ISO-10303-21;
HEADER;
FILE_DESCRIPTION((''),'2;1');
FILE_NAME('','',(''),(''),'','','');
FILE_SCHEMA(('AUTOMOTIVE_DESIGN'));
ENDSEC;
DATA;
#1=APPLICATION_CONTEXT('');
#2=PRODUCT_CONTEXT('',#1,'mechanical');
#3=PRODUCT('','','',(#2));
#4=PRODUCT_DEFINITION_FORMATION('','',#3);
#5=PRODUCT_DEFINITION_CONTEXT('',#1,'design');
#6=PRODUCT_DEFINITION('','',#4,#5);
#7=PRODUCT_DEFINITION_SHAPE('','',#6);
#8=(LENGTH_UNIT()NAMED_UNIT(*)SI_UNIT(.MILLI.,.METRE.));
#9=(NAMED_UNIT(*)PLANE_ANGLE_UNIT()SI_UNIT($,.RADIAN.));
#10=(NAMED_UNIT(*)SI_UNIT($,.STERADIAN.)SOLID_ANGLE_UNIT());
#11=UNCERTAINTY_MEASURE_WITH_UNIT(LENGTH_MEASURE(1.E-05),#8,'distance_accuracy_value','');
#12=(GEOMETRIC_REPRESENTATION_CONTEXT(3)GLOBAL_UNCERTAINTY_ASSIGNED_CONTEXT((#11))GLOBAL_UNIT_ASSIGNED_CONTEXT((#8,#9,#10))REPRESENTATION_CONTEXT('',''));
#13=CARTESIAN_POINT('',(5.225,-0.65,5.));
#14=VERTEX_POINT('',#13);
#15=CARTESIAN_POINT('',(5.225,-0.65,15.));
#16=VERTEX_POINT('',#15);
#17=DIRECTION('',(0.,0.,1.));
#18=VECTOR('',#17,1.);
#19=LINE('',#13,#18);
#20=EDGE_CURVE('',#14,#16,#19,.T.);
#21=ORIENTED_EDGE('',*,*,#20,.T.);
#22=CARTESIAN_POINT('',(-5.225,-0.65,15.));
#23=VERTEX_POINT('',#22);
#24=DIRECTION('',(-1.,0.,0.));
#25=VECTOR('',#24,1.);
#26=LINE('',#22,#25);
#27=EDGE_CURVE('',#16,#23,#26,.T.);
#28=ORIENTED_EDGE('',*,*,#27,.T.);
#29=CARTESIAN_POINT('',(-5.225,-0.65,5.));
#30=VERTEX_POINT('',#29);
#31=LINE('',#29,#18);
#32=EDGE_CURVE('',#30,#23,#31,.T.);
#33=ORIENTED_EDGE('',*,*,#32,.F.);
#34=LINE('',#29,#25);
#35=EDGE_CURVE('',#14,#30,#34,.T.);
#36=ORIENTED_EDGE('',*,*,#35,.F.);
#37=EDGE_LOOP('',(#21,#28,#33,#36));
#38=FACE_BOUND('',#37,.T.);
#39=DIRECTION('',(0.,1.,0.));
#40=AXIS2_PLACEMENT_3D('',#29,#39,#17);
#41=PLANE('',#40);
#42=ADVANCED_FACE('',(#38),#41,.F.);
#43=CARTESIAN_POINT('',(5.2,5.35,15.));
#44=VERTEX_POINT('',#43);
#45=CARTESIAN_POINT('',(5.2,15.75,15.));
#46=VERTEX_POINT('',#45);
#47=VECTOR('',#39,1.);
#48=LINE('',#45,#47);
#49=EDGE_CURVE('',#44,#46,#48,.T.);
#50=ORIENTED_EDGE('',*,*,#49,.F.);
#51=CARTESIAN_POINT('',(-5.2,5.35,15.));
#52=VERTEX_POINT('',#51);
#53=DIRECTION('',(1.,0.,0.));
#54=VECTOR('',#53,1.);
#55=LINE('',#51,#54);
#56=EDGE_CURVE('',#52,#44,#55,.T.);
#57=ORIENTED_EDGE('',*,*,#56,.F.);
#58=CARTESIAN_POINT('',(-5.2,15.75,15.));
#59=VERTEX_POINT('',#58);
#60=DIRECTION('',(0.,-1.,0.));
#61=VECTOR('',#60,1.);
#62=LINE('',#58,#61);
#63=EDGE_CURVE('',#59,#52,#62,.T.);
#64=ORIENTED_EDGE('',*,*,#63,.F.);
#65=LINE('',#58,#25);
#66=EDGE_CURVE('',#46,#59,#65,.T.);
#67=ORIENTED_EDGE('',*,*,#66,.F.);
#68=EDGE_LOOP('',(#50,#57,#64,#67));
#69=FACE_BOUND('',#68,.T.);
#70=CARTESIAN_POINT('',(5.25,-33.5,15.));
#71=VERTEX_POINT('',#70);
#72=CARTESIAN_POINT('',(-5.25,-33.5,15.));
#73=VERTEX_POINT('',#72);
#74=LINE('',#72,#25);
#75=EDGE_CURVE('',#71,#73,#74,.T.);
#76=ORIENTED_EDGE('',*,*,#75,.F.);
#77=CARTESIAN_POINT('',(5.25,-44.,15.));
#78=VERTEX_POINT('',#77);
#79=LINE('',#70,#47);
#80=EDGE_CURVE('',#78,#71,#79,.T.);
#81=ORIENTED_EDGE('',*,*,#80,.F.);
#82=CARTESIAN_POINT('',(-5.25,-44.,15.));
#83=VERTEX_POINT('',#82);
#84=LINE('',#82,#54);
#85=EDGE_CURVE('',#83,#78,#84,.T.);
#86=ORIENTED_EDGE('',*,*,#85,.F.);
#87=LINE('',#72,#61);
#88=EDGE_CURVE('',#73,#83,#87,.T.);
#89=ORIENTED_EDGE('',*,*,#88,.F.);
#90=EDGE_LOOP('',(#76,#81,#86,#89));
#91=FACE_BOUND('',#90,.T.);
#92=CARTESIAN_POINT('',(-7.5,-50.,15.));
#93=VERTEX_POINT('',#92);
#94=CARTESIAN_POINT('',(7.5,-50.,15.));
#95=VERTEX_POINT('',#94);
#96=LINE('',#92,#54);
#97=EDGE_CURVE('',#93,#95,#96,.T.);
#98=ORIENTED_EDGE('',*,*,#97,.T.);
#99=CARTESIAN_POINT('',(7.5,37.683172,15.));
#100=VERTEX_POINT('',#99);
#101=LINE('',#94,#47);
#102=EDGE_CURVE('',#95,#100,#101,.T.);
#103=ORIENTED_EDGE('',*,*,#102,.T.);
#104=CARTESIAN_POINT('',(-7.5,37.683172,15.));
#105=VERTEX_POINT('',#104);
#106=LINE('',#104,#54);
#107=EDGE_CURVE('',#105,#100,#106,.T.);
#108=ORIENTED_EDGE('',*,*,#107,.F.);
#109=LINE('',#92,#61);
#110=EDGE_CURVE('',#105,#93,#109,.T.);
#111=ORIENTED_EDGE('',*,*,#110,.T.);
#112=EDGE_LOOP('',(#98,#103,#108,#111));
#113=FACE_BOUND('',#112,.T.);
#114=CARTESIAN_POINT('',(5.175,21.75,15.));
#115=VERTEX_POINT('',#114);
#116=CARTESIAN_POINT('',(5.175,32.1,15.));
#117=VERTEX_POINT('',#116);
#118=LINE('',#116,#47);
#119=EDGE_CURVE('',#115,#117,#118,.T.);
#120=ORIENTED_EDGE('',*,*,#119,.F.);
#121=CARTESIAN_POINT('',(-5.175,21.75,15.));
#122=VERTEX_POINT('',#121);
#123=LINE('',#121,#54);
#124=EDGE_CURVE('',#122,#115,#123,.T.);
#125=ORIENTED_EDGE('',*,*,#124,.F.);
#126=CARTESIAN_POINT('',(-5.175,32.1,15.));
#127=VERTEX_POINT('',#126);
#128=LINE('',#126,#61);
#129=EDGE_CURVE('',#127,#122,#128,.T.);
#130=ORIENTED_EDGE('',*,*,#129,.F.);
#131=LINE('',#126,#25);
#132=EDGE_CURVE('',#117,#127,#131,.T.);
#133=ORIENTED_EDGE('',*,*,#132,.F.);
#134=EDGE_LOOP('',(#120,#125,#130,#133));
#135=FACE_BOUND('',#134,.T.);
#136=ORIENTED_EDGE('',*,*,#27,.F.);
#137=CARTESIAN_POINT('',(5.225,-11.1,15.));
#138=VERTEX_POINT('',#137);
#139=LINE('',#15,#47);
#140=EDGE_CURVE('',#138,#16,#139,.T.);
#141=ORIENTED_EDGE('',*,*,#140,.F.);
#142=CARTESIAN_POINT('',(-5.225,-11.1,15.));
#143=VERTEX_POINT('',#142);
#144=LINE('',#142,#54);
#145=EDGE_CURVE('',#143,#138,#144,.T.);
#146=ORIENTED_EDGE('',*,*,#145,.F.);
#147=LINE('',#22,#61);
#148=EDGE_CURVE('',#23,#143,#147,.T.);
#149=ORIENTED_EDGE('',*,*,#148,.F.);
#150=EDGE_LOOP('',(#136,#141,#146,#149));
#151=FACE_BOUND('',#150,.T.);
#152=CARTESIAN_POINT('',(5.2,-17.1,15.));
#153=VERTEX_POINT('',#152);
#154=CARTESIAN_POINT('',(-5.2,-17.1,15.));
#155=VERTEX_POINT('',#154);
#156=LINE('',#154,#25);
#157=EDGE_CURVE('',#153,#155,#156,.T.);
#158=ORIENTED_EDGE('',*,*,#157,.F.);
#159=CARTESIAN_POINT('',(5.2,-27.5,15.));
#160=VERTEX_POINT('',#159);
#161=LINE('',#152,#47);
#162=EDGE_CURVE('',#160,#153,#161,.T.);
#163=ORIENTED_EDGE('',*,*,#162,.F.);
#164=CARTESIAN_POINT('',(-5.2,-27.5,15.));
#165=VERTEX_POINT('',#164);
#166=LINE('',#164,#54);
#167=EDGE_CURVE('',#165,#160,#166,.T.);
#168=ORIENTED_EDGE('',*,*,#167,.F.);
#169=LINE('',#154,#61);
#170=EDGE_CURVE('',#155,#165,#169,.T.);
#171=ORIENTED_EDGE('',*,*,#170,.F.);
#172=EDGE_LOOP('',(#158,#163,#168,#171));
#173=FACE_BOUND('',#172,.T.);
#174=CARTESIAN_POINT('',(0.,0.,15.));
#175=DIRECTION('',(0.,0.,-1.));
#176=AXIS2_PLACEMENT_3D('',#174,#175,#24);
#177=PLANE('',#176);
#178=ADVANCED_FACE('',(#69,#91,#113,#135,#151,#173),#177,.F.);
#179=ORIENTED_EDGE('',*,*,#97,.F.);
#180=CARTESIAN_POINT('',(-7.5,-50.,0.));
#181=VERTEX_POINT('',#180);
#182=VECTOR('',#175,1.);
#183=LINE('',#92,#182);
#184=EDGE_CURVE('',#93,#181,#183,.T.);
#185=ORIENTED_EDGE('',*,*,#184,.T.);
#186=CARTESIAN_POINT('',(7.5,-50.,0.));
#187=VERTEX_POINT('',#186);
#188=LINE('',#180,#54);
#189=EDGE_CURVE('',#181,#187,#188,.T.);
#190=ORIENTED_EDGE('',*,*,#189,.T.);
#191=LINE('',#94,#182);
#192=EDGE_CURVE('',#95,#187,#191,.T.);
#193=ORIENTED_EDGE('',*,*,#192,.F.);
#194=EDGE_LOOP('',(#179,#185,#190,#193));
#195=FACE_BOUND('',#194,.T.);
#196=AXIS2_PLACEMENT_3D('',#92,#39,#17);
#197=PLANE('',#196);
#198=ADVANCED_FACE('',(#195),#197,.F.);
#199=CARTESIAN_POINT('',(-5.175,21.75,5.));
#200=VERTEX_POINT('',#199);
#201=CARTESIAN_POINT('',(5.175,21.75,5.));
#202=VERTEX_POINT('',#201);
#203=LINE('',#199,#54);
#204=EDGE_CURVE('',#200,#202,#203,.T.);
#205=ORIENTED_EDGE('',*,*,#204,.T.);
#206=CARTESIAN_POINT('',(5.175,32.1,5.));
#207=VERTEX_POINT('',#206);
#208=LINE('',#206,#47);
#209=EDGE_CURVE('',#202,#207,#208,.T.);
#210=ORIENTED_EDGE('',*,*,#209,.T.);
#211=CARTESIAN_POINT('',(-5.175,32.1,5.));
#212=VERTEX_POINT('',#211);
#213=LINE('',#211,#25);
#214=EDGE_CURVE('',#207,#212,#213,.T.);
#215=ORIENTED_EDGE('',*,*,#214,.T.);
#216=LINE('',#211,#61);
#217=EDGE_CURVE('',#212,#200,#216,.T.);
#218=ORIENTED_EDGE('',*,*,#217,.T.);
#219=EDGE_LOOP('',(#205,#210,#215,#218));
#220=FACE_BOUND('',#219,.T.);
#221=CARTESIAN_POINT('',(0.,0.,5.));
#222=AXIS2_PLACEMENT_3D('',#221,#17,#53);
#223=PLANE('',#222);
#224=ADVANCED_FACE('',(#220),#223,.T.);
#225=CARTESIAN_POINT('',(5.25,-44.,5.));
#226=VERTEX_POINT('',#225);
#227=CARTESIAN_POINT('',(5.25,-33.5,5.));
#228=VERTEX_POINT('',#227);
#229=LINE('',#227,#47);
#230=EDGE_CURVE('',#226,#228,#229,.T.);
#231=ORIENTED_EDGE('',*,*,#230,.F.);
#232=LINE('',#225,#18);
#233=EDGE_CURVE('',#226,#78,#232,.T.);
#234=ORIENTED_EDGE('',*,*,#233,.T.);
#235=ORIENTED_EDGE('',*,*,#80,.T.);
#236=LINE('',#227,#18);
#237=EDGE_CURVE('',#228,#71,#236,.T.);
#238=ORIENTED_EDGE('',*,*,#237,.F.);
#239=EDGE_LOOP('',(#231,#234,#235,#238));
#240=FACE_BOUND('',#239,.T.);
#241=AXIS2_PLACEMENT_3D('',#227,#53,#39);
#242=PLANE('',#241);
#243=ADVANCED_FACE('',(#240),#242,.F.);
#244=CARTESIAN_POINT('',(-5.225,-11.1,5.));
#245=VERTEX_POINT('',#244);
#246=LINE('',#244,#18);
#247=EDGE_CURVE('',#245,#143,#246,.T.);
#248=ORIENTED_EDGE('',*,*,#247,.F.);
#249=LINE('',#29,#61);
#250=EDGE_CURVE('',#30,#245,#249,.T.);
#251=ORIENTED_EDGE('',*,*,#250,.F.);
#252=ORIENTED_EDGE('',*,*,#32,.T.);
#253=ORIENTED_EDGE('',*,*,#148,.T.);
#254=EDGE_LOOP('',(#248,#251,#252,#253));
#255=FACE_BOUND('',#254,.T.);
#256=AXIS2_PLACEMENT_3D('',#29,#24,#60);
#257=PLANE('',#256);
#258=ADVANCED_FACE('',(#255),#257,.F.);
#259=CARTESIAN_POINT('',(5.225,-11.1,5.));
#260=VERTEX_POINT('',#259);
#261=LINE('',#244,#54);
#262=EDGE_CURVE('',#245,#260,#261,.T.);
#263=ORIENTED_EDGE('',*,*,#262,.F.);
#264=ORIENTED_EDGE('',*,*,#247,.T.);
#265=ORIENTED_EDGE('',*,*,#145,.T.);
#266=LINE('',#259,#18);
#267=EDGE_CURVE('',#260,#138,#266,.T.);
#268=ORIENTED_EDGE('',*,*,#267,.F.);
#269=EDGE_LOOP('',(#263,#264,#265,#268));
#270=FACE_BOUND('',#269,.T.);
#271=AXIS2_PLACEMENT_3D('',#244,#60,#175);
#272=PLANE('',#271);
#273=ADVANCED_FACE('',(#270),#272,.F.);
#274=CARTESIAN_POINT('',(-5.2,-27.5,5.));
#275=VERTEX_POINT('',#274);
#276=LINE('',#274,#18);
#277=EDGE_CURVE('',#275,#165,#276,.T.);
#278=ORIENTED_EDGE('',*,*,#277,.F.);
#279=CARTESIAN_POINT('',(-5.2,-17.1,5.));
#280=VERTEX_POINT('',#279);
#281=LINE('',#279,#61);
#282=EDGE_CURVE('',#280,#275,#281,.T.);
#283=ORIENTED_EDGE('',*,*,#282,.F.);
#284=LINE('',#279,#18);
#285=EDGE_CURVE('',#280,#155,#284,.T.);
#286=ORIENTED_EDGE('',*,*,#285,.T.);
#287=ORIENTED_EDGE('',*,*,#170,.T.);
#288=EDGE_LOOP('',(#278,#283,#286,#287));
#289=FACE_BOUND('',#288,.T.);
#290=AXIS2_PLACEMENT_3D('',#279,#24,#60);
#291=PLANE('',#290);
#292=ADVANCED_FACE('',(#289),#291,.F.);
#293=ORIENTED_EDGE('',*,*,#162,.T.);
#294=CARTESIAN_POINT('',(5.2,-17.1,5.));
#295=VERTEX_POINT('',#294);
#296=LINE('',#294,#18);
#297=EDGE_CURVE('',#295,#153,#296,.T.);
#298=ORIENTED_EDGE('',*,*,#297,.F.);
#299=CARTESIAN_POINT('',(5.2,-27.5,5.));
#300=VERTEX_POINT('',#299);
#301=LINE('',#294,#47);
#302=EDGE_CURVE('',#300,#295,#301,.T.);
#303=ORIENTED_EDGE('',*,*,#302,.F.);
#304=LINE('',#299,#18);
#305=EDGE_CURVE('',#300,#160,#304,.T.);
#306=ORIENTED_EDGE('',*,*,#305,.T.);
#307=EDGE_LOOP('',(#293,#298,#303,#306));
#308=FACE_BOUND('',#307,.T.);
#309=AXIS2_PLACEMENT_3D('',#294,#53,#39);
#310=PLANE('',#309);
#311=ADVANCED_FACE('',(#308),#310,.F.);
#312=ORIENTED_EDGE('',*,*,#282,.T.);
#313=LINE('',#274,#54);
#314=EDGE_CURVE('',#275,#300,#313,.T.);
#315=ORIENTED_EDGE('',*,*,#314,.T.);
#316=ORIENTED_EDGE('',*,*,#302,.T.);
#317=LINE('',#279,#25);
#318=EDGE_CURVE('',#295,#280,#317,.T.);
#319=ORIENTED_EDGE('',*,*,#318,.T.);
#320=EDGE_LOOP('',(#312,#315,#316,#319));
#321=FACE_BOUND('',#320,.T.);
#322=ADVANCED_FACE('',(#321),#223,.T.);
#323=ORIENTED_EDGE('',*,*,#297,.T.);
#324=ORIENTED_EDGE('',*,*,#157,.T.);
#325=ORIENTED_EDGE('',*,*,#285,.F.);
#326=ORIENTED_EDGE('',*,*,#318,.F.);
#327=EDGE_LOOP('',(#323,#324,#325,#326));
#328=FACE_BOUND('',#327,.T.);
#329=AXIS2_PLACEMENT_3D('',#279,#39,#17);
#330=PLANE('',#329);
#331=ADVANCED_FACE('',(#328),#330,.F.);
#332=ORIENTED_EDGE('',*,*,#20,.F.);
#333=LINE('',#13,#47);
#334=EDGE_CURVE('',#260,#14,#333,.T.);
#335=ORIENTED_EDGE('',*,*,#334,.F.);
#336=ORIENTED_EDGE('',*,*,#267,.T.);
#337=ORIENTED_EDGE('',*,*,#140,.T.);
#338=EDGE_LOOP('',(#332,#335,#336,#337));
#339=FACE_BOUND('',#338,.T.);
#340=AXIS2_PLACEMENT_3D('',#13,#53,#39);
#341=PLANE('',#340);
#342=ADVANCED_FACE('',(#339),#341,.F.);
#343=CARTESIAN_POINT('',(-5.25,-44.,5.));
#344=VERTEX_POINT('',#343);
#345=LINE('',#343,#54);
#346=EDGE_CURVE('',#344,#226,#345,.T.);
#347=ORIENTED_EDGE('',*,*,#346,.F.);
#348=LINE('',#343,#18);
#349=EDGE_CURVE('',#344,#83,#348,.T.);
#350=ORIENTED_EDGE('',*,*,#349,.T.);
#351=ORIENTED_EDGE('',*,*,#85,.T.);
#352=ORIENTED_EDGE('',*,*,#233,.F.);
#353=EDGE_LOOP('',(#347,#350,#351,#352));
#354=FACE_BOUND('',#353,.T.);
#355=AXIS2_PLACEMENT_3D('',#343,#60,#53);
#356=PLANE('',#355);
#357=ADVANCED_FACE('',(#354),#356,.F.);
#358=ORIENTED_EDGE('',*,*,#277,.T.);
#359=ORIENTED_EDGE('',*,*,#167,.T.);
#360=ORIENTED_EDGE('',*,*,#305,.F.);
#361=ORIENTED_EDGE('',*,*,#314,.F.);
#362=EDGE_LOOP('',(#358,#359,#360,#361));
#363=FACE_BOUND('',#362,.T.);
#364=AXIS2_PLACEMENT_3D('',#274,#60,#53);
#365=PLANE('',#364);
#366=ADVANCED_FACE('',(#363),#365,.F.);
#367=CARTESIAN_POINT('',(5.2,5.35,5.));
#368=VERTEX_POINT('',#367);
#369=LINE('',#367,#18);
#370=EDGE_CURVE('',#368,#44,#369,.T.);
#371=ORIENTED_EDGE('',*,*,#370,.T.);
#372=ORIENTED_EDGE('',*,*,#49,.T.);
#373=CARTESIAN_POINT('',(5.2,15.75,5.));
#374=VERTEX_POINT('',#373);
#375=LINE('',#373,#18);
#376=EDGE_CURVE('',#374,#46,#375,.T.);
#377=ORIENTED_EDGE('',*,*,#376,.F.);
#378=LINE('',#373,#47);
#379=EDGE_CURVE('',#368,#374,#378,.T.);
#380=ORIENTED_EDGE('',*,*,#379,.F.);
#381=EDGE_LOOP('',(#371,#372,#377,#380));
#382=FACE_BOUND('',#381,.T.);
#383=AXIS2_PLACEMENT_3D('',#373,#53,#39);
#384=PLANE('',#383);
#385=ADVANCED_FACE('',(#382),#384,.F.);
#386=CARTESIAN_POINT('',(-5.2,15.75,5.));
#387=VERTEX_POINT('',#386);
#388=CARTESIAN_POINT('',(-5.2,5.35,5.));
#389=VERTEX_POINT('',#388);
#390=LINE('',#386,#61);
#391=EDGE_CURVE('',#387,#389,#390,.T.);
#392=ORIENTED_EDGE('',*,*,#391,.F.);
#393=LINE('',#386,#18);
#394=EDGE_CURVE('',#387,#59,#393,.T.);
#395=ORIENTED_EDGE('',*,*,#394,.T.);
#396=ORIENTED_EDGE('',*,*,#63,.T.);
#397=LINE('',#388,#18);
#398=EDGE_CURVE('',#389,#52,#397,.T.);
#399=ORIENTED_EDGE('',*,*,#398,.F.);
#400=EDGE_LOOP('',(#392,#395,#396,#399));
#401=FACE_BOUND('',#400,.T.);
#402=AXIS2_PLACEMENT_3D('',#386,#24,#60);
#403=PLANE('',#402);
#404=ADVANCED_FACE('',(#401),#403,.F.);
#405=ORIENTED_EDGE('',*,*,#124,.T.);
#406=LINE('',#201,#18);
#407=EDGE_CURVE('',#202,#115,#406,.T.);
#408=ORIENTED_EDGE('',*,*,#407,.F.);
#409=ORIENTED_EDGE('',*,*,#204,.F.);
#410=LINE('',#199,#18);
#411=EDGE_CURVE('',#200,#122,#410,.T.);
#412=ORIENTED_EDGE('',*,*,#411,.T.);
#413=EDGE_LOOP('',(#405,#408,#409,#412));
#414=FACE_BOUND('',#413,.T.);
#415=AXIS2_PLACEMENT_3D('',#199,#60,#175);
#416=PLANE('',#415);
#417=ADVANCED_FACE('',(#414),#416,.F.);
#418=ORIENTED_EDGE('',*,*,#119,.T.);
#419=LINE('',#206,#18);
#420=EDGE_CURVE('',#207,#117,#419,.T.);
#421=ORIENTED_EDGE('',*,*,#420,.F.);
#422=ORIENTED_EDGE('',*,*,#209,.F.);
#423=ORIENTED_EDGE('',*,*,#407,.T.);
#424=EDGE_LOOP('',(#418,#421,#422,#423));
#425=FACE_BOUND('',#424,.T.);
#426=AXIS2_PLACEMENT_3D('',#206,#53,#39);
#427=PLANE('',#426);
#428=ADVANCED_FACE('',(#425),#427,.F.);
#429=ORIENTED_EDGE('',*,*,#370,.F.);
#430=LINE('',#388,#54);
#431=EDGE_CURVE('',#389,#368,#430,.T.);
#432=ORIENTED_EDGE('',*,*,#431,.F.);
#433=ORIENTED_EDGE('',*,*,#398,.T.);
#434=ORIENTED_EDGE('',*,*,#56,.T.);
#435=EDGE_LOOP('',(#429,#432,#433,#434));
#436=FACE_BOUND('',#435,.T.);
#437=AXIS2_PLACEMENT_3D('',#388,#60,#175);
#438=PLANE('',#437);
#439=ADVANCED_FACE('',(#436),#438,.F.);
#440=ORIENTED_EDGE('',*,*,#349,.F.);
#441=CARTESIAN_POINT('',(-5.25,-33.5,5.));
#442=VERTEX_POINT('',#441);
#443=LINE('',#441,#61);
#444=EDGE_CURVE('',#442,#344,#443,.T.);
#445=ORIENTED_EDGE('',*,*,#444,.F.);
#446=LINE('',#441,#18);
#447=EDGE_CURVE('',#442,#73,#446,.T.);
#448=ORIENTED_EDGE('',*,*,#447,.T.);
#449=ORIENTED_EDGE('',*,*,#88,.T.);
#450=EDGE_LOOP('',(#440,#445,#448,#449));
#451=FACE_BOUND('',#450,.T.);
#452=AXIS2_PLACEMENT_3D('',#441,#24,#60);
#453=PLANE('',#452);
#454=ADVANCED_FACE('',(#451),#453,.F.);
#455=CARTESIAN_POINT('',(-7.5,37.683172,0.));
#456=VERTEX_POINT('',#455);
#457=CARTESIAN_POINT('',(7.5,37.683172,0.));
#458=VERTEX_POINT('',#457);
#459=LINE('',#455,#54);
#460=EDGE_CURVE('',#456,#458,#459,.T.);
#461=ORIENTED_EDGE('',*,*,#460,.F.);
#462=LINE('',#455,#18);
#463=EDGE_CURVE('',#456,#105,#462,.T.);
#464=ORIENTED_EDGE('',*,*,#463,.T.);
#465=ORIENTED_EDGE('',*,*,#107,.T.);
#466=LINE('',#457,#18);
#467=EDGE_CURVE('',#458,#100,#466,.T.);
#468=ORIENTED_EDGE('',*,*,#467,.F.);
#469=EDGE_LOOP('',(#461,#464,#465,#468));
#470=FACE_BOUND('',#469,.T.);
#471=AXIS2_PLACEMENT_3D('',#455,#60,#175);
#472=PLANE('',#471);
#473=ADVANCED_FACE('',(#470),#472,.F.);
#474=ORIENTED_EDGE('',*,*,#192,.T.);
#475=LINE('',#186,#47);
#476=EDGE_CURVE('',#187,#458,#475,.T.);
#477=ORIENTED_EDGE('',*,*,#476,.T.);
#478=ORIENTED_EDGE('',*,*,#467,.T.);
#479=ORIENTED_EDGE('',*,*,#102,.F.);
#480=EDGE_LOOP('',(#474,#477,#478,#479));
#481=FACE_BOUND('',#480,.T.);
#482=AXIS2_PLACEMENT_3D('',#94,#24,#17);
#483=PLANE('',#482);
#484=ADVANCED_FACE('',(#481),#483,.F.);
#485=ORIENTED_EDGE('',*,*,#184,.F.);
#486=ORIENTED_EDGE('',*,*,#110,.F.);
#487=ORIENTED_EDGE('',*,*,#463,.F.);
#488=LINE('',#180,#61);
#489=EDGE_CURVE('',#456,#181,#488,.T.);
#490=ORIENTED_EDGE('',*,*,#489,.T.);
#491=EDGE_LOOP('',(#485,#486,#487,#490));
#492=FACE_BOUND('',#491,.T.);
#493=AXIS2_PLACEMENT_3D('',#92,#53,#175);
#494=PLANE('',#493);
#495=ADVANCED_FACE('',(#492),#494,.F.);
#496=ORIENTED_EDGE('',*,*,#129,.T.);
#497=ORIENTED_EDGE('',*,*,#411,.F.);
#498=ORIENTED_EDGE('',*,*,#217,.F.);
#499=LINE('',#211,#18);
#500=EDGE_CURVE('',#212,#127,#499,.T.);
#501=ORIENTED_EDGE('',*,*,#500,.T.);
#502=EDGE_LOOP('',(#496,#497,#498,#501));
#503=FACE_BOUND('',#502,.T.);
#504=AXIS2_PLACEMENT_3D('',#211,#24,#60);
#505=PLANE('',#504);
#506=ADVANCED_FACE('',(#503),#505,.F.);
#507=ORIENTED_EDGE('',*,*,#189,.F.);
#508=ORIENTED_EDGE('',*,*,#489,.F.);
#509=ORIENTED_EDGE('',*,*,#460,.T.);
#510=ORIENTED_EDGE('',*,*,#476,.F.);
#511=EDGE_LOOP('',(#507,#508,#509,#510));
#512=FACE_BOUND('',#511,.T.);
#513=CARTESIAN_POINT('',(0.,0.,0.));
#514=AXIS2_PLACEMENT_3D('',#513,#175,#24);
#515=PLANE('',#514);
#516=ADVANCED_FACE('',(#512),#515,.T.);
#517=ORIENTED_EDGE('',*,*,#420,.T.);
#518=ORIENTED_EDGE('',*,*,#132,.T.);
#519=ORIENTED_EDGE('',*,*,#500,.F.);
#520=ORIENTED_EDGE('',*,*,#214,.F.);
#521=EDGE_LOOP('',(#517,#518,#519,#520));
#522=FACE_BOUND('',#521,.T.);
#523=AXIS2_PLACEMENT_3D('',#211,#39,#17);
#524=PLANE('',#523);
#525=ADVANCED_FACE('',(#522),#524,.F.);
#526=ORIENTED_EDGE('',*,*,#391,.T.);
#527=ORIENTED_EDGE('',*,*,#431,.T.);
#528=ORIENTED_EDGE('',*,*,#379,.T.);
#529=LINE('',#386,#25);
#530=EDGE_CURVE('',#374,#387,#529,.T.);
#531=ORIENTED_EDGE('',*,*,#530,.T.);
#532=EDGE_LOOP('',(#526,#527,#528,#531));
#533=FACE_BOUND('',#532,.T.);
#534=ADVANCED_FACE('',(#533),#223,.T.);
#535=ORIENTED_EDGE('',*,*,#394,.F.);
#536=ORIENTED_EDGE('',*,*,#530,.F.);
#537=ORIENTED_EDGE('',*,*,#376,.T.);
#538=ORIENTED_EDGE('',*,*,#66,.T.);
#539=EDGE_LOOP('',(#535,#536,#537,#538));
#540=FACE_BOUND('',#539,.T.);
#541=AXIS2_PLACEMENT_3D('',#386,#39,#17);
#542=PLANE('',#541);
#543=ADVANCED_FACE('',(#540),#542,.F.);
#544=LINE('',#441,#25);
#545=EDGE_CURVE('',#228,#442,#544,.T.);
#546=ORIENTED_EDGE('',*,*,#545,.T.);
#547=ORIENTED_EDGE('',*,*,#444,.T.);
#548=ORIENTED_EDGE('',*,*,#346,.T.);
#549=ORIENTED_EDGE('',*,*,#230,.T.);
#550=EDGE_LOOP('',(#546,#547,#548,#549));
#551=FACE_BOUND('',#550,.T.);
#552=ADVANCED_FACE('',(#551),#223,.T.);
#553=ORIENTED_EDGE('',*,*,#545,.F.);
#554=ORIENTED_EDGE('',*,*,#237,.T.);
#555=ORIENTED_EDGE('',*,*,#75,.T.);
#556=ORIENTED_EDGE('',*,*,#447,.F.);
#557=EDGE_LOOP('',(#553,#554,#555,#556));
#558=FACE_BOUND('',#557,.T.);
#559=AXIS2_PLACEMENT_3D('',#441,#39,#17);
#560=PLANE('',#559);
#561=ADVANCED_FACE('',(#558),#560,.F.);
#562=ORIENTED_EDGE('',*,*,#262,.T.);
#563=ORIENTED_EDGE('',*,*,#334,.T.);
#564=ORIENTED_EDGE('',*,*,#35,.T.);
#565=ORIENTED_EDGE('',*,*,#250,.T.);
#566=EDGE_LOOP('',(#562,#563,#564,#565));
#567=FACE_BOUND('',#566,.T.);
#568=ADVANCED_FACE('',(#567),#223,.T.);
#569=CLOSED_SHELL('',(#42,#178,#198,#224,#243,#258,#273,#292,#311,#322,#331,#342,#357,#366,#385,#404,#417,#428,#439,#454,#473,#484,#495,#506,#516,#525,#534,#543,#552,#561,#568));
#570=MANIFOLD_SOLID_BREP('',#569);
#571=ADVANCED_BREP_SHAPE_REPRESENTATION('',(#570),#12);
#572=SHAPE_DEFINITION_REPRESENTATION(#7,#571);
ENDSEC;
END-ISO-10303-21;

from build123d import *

# Parameters (mm, degrees)
SKETCH_1_W          = 15
SKETCH_1_H          = 100
EXTRUDE_1_DEPTH     = 15
SKETCH_3_W          = 10.35
SKETCH_3_H          = 10.35
SKETCH_3_W_2        = 10.4
SKETCH_3_H_2        = 10.4
SKETCH_3_W_3        = 10.45
SKETCH_3_H_3        = 10.45
SKETCH_3_W_4        = 10.5
SKETCH_3_H_4        = 10.5
CUT_EXTRUDE_1_DEPTH = 10
SKETCH_4_W          = 15
SKETCH_4_H          = 12.316827503
CUT_EXTRUDE_2_DEPTH = 53.737557774


with BuildPart() as part:
    # 草图1 → 凸台-拉伸1 (new body)
    with BuildSketch(Plane.XY):
        Rectangle(SKETCH_1_W, SKETCH_1_H)
    extrude(amount=EXTRUDE_1_DEPTH)

    # 草图3 → 切除-拉伸1 (cut)
    with BuildSketch(Plane.XY.offset(15)):
        with Locations((0, 26.925)):
            Rectangle(SKETCH_3_W, SKETCH_3_H)
        with Locations((0, 10.55)):
            Rectangle(SKETCH_3_W_2, SKETCH_3_H_2)
        with Locations((0, -5.875)):
            Rectangle(SKETCH_3_W_3, SKETCH_3_H_3)
        with Locations((0, -22.3)):
            Rectangle(SKETCH_3_W_2, SKETCH_3_H_2)
        with Locations((0, -38.75)):
            Rectangle(SKETCH_3_W_4, SKETCH_3_H_4)
    extrude(amount=-CUT_EXTRUDE_1_DEPTH, mode=Mode.SUBTRACT)

    # 草图4 → 切除-拉伸2 (cut, through all)
    with BuildSketch(Plane.XY.offset(15)):
        with Locations((0, 43.841586249)):
            Rectangle(SKETCH_4_W, SKETCH_4_H)
    extrude(amount=-CUT_EXTRUDE_2_DEPTH, mode=Mode.SUBTRACT)


solid = part.part
